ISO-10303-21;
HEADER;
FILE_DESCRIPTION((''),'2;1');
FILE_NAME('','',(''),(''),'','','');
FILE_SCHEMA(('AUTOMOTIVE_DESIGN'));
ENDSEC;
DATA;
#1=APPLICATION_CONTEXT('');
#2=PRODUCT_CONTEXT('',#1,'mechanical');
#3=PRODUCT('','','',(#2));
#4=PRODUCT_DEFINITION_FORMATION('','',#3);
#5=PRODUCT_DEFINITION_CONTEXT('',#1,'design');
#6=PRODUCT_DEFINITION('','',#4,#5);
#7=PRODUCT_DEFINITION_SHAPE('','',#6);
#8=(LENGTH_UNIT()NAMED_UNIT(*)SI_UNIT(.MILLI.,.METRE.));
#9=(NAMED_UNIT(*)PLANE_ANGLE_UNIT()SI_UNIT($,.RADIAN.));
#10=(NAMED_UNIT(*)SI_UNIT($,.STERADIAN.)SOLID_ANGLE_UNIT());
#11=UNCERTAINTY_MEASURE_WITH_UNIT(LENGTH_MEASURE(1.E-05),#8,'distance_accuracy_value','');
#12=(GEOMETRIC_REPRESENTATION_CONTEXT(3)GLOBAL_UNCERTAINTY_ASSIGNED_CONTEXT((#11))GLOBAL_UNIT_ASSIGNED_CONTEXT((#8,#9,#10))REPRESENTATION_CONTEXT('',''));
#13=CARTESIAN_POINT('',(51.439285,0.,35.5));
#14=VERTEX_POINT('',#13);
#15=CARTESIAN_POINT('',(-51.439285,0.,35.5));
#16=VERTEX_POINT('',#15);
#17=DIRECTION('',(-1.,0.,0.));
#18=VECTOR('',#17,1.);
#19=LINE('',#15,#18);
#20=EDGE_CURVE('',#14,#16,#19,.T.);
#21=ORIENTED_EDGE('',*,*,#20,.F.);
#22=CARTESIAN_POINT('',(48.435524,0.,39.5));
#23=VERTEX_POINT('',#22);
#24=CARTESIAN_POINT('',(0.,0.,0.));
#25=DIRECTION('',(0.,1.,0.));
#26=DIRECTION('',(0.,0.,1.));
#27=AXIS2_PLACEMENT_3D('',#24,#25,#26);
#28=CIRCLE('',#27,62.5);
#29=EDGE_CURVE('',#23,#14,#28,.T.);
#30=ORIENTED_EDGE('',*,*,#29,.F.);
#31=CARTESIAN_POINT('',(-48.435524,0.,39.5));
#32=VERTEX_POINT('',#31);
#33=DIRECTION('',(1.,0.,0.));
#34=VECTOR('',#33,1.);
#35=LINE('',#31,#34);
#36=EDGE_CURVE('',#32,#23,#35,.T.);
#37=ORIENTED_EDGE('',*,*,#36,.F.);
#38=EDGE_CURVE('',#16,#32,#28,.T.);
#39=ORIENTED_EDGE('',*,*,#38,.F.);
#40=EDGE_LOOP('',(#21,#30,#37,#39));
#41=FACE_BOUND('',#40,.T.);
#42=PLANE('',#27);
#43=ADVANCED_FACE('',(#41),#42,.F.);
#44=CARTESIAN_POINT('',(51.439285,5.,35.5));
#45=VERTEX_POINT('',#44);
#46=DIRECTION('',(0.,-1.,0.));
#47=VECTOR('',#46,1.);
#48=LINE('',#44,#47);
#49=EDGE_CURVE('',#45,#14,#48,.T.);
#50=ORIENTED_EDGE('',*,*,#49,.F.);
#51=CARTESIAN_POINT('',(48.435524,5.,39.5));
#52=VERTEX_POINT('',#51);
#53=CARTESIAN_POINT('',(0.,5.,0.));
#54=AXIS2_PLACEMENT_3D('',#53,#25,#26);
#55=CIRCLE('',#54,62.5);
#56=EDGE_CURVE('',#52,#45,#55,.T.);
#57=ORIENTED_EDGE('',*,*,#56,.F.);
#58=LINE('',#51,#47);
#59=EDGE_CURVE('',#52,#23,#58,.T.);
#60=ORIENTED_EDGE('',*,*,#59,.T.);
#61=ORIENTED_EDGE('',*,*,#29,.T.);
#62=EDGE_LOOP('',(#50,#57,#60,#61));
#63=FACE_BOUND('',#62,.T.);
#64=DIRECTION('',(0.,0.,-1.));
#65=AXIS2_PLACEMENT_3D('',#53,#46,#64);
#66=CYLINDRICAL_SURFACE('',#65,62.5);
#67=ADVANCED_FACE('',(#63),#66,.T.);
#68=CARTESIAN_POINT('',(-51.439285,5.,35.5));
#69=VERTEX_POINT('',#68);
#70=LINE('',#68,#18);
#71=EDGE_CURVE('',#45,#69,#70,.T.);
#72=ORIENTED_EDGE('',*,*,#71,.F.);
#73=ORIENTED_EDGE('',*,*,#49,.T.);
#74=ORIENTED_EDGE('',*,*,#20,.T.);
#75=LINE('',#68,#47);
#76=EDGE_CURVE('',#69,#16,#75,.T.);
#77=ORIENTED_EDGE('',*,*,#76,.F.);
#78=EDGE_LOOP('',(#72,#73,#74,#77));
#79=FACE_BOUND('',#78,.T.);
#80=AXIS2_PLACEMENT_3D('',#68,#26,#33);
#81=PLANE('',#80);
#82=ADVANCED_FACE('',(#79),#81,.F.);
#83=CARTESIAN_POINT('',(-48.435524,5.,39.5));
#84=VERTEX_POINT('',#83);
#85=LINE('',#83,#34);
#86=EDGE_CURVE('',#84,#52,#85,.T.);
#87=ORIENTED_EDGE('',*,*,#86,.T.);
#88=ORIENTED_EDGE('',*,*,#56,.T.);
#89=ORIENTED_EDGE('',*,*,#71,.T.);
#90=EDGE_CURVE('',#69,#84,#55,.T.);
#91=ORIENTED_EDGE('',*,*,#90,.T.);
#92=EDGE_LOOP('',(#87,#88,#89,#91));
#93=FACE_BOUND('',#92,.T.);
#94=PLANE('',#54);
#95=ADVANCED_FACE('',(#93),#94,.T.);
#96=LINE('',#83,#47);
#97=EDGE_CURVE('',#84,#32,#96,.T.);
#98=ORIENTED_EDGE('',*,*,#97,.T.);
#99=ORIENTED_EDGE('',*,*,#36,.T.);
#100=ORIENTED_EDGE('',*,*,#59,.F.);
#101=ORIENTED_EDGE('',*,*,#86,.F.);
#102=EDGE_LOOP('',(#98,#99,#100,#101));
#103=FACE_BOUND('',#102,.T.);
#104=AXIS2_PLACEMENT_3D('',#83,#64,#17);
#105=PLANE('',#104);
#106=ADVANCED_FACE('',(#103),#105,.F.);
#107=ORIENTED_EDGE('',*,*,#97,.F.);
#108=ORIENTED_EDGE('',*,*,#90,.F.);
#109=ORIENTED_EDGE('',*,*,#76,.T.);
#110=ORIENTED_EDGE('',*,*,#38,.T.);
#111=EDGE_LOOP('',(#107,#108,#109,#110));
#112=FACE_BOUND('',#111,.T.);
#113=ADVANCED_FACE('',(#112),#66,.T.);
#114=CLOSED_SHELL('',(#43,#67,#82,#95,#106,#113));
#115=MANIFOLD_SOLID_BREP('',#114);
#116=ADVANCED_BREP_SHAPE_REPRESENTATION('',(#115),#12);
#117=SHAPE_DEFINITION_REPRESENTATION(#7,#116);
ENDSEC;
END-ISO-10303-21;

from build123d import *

# Parameters (mm, degrees)
BOSS_EXTRUDE1_DEPTH = 5


with BuildPart() as part:
    # Sketch1 → Boss-Extrude1 (new body)
    with BuildSketch(Plane(origin=(0, 0, 0), x_dir=(1, 0, 0), z_dir=(0, 1, 0))):
        with BuildLine():
            Line((-48.435524153, -39.5), (48.435524153, -39.5))
            ThreePointArc((48.435524153, -39.5), (49.977438468, -37.530063205), (51.439284598, -35.5))
            Line((51.439284598, -35.5), (-51.439284598, -35.5))
            ThreePointArc((-51.439284598, -35.5), (-49.977438468, -37.530063205), (-48.435524153, -39.5))
        make_face()
    extrude(amount=BOSS_EXTRUDE1_DEPTH)


solid = part.part
